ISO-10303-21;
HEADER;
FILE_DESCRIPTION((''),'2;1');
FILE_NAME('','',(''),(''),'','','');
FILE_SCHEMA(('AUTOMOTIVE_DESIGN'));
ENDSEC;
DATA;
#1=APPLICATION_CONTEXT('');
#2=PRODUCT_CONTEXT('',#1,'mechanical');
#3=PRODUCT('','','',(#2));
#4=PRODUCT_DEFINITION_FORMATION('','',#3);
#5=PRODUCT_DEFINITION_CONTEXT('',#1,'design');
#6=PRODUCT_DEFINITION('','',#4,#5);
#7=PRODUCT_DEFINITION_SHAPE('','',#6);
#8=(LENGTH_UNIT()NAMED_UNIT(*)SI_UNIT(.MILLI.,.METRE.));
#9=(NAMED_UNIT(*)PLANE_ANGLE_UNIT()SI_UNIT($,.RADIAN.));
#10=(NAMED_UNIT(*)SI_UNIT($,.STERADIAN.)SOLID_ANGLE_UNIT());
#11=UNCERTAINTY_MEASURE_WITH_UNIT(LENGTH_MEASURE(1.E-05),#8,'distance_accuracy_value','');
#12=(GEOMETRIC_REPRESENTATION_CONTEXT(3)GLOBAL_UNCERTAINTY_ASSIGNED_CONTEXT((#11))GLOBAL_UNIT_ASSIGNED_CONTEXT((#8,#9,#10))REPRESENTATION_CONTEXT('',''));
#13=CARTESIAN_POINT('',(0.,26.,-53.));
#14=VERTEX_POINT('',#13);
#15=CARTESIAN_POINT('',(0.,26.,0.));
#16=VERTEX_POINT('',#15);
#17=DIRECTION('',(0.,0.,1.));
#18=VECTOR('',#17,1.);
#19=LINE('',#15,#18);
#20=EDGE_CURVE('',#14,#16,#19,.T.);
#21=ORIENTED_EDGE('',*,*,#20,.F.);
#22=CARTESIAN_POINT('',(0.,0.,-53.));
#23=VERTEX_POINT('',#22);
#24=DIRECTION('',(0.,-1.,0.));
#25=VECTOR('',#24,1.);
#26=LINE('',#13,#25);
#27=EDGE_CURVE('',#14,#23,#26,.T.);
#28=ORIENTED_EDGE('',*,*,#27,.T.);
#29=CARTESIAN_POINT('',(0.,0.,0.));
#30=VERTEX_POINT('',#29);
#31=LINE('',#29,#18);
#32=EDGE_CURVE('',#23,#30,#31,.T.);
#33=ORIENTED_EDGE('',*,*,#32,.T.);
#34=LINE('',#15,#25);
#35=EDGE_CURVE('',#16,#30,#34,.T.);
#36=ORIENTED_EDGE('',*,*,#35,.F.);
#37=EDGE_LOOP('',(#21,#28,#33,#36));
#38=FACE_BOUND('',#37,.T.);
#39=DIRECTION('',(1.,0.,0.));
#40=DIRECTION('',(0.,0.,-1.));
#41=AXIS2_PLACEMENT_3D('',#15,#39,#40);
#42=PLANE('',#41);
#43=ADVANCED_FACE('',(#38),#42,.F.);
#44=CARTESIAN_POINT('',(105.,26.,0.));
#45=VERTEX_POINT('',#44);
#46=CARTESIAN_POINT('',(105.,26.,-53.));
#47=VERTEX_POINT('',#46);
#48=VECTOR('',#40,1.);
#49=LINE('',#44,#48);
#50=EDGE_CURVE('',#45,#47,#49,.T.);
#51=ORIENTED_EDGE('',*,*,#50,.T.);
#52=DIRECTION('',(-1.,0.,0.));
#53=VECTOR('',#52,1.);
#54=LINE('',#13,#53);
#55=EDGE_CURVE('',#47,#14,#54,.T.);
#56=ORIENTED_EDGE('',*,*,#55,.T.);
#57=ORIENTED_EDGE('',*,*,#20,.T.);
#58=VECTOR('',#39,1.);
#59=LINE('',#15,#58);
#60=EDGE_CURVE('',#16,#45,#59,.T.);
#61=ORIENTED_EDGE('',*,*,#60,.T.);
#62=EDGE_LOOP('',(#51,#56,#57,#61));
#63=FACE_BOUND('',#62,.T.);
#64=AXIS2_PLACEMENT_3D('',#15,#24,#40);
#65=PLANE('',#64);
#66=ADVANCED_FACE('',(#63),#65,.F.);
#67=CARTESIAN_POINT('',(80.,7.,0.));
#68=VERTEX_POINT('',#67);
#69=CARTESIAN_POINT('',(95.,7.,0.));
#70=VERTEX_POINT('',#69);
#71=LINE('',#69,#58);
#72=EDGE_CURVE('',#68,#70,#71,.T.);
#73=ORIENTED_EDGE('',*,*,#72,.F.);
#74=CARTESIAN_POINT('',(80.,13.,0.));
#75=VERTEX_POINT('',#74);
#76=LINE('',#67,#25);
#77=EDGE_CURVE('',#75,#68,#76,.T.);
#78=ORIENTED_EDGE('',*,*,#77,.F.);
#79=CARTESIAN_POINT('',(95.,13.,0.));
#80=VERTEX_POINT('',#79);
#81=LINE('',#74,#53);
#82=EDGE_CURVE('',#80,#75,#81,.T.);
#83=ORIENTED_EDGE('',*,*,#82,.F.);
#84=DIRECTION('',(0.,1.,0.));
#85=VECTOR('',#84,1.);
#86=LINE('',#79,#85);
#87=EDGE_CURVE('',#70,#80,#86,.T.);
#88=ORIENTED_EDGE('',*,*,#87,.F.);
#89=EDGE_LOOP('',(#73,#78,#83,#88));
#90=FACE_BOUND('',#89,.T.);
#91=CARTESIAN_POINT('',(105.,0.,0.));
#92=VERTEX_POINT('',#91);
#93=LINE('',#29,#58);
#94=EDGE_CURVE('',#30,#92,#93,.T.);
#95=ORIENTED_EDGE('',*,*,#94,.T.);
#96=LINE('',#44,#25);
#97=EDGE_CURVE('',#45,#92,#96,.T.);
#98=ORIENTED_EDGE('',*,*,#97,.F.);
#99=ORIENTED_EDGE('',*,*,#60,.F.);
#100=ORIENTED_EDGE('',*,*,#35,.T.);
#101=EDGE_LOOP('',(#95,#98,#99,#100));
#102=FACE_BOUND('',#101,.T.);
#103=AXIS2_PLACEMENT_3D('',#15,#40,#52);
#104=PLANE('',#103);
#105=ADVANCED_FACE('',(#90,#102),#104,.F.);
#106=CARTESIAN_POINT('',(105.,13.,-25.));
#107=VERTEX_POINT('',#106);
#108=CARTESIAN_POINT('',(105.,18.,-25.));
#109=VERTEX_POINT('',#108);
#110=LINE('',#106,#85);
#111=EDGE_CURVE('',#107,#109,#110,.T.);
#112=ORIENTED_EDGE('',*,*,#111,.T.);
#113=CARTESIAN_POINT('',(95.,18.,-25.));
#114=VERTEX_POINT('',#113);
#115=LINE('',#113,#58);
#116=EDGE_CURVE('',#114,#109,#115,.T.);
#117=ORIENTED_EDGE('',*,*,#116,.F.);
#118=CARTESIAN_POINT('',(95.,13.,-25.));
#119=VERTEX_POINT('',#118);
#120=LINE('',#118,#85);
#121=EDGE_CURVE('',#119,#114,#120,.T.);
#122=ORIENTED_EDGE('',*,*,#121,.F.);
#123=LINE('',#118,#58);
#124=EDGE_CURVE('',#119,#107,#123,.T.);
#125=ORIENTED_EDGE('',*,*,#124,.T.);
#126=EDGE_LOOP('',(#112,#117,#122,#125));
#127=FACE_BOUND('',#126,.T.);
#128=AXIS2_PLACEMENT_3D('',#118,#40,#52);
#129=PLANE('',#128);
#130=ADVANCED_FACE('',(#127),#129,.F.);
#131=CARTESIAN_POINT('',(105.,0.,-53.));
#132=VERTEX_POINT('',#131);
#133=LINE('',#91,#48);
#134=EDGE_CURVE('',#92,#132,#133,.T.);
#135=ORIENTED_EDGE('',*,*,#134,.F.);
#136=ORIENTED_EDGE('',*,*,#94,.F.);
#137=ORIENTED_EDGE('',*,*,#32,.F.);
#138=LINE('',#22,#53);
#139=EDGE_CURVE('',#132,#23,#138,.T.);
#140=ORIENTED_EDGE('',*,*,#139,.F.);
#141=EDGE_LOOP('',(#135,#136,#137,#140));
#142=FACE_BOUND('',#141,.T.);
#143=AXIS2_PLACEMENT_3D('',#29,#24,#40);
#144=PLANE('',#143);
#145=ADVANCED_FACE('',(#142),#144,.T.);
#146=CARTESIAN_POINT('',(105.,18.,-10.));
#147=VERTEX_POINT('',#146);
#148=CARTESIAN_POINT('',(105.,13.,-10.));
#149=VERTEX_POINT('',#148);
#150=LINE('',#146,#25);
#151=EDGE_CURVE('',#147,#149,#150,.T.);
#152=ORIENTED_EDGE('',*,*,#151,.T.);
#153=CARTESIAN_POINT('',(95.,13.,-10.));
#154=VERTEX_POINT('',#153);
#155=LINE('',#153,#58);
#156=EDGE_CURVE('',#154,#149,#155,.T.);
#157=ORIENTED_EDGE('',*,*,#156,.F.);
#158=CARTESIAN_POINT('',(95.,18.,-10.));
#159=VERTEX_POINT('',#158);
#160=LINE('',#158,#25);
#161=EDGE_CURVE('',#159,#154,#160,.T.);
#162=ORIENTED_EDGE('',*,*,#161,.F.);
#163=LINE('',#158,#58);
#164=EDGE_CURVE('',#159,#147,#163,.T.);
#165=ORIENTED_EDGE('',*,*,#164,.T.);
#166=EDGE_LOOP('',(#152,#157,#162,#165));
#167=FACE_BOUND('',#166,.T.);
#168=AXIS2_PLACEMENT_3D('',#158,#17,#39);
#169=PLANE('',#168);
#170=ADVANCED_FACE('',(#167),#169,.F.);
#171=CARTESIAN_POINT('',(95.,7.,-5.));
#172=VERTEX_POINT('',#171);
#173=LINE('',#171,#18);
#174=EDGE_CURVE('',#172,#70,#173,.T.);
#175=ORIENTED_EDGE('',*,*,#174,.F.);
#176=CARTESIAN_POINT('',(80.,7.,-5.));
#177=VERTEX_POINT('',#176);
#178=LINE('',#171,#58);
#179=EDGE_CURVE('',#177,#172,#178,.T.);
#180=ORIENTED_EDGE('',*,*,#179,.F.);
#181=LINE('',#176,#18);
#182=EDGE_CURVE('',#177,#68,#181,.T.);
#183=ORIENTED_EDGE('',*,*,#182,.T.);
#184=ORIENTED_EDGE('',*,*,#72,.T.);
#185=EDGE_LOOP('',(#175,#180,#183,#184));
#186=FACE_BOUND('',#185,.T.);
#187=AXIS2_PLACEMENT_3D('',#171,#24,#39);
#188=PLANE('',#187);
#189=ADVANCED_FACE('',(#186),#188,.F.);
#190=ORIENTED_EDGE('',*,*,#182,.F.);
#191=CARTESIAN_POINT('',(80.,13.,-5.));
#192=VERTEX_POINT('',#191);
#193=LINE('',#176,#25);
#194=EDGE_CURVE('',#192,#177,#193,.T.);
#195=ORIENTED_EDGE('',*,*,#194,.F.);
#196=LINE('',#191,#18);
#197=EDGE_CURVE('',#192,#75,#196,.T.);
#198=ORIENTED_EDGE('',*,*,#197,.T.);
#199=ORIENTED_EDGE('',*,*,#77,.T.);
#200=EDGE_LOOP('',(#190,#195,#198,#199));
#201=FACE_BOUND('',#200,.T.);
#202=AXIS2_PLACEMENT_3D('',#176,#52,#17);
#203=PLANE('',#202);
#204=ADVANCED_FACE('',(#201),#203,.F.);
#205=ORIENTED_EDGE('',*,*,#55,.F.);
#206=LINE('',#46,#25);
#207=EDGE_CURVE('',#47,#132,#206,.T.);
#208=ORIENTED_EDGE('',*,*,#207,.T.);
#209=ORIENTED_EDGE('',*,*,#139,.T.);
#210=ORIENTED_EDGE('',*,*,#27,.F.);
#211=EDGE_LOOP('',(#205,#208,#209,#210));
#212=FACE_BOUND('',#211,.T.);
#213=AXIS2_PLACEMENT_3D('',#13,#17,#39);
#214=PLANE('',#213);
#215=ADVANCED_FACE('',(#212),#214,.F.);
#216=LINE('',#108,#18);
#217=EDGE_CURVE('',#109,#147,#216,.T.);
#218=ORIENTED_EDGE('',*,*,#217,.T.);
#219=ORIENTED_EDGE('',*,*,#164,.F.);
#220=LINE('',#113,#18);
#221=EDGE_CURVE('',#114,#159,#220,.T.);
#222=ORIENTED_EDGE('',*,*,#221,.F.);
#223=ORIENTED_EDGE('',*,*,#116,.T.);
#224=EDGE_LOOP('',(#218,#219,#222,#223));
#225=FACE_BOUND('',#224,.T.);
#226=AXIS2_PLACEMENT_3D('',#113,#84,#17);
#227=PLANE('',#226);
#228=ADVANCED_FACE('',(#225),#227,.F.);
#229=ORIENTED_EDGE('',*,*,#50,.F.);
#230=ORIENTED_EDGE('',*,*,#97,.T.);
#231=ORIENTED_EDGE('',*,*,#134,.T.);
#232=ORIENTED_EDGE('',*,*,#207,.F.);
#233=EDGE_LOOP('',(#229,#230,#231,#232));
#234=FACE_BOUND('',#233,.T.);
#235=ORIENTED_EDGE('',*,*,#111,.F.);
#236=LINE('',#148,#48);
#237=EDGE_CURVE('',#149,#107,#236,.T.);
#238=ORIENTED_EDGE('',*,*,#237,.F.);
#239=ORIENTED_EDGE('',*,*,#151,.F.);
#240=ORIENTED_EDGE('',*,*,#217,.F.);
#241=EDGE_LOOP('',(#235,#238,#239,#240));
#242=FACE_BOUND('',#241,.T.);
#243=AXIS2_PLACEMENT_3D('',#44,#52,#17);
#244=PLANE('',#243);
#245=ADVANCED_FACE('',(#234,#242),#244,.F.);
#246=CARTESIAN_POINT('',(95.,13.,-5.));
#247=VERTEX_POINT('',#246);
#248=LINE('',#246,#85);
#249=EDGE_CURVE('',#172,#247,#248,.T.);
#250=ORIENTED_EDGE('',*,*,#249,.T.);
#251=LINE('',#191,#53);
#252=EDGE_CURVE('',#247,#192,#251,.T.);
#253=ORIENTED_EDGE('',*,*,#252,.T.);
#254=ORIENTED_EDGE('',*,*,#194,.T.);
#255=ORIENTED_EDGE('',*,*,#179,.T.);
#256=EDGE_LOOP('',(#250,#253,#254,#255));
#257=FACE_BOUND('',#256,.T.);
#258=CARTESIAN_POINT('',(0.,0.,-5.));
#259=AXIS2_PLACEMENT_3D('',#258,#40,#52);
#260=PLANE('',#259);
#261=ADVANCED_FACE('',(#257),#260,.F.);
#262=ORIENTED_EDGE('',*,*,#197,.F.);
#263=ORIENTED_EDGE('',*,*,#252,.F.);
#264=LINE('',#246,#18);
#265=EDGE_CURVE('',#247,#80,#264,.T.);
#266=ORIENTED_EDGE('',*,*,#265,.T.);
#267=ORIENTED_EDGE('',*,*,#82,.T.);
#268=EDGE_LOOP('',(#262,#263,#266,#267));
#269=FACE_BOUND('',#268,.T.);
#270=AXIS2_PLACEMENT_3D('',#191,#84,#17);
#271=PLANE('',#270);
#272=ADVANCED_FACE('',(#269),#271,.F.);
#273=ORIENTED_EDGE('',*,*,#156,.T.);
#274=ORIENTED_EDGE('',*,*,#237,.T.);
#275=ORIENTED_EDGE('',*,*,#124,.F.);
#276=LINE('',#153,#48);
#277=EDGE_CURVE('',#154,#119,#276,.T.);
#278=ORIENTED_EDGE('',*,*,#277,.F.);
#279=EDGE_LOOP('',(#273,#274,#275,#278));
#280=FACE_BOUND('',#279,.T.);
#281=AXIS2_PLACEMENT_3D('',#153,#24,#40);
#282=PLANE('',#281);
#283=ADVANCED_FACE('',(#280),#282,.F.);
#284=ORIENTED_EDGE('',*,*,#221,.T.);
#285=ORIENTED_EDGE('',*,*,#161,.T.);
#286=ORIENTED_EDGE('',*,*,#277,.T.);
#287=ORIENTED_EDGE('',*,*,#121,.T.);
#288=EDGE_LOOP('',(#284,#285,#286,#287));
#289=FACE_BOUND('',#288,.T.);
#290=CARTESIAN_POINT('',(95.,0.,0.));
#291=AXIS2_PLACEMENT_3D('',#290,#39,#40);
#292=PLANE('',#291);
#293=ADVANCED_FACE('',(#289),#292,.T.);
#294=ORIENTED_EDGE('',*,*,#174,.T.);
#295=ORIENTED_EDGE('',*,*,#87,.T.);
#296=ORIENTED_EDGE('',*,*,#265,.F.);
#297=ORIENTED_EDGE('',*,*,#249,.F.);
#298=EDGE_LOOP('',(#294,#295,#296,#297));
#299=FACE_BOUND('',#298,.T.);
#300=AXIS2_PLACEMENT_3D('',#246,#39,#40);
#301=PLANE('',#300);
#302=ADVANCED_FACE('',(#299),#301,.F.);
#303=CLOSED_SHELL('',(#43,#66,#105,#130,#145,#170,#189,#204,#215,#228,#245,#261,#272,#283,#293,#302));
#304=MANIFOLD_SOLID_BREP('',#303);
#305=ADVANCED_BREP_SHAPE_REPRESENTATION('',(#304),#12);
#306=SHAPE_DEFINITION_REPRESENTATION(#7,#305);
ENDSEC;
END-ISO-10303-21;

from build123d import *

# Parameters (mm, degrees)
SKETCH2_W           = 105
SKETCH2_H           = 53
BOSS_EXTRUDE1_DEPTH = 26
SKETCH3_W           = 15
SKETCH3_H           = 6
CUT_EXTRUDE1_DEPTH  = 5
SKETCH4_W           = 15
SKETCH4_H           = 5
CUT_EXTRUDE2_DEPTH  = 10


with BuildPart() as part:
    # Sketch2 → Boss-Extrude1 (new body)
    with BuildSketch(Plane(origin=(0, 0, 0), x_dir=(1, 0, 0), z_dir=(0, 1, 0))):
        with Locations((52.5, 26.5)):
            Rectangle(SKETCH2_W, SKETCH2_H)
    extrude(amount=BOSS_EXTRUDE1_DEPTH)

    # Sketch3 → Cut-Extrude1 (cut)
    with BuildSketch(Plane.XY):
        with Locations((87.5, 10)):
            Rectangle(SKETCH3_W, SKETCH3_H)
    extrude(amount=-CUT_EXTRUDE1_DEPTH, mode=Mode.SUBTRACT)

    # Sketch4 → Cut-Extrude2 (cut)
    with BuildSketch(Plane(origin=(105, 0, 0), x_dir=(0, 0, -1), z_dir=(1, 0, 0))):
        with Locations((17.5, 15.5)):
            Rectangle(SKETCH4_W, SKETCH4_H)
    extrude(amount=-CUT_EXTRUDE2_DEPTH, mode=Mode.SUBTRACT)


solid = part.part
